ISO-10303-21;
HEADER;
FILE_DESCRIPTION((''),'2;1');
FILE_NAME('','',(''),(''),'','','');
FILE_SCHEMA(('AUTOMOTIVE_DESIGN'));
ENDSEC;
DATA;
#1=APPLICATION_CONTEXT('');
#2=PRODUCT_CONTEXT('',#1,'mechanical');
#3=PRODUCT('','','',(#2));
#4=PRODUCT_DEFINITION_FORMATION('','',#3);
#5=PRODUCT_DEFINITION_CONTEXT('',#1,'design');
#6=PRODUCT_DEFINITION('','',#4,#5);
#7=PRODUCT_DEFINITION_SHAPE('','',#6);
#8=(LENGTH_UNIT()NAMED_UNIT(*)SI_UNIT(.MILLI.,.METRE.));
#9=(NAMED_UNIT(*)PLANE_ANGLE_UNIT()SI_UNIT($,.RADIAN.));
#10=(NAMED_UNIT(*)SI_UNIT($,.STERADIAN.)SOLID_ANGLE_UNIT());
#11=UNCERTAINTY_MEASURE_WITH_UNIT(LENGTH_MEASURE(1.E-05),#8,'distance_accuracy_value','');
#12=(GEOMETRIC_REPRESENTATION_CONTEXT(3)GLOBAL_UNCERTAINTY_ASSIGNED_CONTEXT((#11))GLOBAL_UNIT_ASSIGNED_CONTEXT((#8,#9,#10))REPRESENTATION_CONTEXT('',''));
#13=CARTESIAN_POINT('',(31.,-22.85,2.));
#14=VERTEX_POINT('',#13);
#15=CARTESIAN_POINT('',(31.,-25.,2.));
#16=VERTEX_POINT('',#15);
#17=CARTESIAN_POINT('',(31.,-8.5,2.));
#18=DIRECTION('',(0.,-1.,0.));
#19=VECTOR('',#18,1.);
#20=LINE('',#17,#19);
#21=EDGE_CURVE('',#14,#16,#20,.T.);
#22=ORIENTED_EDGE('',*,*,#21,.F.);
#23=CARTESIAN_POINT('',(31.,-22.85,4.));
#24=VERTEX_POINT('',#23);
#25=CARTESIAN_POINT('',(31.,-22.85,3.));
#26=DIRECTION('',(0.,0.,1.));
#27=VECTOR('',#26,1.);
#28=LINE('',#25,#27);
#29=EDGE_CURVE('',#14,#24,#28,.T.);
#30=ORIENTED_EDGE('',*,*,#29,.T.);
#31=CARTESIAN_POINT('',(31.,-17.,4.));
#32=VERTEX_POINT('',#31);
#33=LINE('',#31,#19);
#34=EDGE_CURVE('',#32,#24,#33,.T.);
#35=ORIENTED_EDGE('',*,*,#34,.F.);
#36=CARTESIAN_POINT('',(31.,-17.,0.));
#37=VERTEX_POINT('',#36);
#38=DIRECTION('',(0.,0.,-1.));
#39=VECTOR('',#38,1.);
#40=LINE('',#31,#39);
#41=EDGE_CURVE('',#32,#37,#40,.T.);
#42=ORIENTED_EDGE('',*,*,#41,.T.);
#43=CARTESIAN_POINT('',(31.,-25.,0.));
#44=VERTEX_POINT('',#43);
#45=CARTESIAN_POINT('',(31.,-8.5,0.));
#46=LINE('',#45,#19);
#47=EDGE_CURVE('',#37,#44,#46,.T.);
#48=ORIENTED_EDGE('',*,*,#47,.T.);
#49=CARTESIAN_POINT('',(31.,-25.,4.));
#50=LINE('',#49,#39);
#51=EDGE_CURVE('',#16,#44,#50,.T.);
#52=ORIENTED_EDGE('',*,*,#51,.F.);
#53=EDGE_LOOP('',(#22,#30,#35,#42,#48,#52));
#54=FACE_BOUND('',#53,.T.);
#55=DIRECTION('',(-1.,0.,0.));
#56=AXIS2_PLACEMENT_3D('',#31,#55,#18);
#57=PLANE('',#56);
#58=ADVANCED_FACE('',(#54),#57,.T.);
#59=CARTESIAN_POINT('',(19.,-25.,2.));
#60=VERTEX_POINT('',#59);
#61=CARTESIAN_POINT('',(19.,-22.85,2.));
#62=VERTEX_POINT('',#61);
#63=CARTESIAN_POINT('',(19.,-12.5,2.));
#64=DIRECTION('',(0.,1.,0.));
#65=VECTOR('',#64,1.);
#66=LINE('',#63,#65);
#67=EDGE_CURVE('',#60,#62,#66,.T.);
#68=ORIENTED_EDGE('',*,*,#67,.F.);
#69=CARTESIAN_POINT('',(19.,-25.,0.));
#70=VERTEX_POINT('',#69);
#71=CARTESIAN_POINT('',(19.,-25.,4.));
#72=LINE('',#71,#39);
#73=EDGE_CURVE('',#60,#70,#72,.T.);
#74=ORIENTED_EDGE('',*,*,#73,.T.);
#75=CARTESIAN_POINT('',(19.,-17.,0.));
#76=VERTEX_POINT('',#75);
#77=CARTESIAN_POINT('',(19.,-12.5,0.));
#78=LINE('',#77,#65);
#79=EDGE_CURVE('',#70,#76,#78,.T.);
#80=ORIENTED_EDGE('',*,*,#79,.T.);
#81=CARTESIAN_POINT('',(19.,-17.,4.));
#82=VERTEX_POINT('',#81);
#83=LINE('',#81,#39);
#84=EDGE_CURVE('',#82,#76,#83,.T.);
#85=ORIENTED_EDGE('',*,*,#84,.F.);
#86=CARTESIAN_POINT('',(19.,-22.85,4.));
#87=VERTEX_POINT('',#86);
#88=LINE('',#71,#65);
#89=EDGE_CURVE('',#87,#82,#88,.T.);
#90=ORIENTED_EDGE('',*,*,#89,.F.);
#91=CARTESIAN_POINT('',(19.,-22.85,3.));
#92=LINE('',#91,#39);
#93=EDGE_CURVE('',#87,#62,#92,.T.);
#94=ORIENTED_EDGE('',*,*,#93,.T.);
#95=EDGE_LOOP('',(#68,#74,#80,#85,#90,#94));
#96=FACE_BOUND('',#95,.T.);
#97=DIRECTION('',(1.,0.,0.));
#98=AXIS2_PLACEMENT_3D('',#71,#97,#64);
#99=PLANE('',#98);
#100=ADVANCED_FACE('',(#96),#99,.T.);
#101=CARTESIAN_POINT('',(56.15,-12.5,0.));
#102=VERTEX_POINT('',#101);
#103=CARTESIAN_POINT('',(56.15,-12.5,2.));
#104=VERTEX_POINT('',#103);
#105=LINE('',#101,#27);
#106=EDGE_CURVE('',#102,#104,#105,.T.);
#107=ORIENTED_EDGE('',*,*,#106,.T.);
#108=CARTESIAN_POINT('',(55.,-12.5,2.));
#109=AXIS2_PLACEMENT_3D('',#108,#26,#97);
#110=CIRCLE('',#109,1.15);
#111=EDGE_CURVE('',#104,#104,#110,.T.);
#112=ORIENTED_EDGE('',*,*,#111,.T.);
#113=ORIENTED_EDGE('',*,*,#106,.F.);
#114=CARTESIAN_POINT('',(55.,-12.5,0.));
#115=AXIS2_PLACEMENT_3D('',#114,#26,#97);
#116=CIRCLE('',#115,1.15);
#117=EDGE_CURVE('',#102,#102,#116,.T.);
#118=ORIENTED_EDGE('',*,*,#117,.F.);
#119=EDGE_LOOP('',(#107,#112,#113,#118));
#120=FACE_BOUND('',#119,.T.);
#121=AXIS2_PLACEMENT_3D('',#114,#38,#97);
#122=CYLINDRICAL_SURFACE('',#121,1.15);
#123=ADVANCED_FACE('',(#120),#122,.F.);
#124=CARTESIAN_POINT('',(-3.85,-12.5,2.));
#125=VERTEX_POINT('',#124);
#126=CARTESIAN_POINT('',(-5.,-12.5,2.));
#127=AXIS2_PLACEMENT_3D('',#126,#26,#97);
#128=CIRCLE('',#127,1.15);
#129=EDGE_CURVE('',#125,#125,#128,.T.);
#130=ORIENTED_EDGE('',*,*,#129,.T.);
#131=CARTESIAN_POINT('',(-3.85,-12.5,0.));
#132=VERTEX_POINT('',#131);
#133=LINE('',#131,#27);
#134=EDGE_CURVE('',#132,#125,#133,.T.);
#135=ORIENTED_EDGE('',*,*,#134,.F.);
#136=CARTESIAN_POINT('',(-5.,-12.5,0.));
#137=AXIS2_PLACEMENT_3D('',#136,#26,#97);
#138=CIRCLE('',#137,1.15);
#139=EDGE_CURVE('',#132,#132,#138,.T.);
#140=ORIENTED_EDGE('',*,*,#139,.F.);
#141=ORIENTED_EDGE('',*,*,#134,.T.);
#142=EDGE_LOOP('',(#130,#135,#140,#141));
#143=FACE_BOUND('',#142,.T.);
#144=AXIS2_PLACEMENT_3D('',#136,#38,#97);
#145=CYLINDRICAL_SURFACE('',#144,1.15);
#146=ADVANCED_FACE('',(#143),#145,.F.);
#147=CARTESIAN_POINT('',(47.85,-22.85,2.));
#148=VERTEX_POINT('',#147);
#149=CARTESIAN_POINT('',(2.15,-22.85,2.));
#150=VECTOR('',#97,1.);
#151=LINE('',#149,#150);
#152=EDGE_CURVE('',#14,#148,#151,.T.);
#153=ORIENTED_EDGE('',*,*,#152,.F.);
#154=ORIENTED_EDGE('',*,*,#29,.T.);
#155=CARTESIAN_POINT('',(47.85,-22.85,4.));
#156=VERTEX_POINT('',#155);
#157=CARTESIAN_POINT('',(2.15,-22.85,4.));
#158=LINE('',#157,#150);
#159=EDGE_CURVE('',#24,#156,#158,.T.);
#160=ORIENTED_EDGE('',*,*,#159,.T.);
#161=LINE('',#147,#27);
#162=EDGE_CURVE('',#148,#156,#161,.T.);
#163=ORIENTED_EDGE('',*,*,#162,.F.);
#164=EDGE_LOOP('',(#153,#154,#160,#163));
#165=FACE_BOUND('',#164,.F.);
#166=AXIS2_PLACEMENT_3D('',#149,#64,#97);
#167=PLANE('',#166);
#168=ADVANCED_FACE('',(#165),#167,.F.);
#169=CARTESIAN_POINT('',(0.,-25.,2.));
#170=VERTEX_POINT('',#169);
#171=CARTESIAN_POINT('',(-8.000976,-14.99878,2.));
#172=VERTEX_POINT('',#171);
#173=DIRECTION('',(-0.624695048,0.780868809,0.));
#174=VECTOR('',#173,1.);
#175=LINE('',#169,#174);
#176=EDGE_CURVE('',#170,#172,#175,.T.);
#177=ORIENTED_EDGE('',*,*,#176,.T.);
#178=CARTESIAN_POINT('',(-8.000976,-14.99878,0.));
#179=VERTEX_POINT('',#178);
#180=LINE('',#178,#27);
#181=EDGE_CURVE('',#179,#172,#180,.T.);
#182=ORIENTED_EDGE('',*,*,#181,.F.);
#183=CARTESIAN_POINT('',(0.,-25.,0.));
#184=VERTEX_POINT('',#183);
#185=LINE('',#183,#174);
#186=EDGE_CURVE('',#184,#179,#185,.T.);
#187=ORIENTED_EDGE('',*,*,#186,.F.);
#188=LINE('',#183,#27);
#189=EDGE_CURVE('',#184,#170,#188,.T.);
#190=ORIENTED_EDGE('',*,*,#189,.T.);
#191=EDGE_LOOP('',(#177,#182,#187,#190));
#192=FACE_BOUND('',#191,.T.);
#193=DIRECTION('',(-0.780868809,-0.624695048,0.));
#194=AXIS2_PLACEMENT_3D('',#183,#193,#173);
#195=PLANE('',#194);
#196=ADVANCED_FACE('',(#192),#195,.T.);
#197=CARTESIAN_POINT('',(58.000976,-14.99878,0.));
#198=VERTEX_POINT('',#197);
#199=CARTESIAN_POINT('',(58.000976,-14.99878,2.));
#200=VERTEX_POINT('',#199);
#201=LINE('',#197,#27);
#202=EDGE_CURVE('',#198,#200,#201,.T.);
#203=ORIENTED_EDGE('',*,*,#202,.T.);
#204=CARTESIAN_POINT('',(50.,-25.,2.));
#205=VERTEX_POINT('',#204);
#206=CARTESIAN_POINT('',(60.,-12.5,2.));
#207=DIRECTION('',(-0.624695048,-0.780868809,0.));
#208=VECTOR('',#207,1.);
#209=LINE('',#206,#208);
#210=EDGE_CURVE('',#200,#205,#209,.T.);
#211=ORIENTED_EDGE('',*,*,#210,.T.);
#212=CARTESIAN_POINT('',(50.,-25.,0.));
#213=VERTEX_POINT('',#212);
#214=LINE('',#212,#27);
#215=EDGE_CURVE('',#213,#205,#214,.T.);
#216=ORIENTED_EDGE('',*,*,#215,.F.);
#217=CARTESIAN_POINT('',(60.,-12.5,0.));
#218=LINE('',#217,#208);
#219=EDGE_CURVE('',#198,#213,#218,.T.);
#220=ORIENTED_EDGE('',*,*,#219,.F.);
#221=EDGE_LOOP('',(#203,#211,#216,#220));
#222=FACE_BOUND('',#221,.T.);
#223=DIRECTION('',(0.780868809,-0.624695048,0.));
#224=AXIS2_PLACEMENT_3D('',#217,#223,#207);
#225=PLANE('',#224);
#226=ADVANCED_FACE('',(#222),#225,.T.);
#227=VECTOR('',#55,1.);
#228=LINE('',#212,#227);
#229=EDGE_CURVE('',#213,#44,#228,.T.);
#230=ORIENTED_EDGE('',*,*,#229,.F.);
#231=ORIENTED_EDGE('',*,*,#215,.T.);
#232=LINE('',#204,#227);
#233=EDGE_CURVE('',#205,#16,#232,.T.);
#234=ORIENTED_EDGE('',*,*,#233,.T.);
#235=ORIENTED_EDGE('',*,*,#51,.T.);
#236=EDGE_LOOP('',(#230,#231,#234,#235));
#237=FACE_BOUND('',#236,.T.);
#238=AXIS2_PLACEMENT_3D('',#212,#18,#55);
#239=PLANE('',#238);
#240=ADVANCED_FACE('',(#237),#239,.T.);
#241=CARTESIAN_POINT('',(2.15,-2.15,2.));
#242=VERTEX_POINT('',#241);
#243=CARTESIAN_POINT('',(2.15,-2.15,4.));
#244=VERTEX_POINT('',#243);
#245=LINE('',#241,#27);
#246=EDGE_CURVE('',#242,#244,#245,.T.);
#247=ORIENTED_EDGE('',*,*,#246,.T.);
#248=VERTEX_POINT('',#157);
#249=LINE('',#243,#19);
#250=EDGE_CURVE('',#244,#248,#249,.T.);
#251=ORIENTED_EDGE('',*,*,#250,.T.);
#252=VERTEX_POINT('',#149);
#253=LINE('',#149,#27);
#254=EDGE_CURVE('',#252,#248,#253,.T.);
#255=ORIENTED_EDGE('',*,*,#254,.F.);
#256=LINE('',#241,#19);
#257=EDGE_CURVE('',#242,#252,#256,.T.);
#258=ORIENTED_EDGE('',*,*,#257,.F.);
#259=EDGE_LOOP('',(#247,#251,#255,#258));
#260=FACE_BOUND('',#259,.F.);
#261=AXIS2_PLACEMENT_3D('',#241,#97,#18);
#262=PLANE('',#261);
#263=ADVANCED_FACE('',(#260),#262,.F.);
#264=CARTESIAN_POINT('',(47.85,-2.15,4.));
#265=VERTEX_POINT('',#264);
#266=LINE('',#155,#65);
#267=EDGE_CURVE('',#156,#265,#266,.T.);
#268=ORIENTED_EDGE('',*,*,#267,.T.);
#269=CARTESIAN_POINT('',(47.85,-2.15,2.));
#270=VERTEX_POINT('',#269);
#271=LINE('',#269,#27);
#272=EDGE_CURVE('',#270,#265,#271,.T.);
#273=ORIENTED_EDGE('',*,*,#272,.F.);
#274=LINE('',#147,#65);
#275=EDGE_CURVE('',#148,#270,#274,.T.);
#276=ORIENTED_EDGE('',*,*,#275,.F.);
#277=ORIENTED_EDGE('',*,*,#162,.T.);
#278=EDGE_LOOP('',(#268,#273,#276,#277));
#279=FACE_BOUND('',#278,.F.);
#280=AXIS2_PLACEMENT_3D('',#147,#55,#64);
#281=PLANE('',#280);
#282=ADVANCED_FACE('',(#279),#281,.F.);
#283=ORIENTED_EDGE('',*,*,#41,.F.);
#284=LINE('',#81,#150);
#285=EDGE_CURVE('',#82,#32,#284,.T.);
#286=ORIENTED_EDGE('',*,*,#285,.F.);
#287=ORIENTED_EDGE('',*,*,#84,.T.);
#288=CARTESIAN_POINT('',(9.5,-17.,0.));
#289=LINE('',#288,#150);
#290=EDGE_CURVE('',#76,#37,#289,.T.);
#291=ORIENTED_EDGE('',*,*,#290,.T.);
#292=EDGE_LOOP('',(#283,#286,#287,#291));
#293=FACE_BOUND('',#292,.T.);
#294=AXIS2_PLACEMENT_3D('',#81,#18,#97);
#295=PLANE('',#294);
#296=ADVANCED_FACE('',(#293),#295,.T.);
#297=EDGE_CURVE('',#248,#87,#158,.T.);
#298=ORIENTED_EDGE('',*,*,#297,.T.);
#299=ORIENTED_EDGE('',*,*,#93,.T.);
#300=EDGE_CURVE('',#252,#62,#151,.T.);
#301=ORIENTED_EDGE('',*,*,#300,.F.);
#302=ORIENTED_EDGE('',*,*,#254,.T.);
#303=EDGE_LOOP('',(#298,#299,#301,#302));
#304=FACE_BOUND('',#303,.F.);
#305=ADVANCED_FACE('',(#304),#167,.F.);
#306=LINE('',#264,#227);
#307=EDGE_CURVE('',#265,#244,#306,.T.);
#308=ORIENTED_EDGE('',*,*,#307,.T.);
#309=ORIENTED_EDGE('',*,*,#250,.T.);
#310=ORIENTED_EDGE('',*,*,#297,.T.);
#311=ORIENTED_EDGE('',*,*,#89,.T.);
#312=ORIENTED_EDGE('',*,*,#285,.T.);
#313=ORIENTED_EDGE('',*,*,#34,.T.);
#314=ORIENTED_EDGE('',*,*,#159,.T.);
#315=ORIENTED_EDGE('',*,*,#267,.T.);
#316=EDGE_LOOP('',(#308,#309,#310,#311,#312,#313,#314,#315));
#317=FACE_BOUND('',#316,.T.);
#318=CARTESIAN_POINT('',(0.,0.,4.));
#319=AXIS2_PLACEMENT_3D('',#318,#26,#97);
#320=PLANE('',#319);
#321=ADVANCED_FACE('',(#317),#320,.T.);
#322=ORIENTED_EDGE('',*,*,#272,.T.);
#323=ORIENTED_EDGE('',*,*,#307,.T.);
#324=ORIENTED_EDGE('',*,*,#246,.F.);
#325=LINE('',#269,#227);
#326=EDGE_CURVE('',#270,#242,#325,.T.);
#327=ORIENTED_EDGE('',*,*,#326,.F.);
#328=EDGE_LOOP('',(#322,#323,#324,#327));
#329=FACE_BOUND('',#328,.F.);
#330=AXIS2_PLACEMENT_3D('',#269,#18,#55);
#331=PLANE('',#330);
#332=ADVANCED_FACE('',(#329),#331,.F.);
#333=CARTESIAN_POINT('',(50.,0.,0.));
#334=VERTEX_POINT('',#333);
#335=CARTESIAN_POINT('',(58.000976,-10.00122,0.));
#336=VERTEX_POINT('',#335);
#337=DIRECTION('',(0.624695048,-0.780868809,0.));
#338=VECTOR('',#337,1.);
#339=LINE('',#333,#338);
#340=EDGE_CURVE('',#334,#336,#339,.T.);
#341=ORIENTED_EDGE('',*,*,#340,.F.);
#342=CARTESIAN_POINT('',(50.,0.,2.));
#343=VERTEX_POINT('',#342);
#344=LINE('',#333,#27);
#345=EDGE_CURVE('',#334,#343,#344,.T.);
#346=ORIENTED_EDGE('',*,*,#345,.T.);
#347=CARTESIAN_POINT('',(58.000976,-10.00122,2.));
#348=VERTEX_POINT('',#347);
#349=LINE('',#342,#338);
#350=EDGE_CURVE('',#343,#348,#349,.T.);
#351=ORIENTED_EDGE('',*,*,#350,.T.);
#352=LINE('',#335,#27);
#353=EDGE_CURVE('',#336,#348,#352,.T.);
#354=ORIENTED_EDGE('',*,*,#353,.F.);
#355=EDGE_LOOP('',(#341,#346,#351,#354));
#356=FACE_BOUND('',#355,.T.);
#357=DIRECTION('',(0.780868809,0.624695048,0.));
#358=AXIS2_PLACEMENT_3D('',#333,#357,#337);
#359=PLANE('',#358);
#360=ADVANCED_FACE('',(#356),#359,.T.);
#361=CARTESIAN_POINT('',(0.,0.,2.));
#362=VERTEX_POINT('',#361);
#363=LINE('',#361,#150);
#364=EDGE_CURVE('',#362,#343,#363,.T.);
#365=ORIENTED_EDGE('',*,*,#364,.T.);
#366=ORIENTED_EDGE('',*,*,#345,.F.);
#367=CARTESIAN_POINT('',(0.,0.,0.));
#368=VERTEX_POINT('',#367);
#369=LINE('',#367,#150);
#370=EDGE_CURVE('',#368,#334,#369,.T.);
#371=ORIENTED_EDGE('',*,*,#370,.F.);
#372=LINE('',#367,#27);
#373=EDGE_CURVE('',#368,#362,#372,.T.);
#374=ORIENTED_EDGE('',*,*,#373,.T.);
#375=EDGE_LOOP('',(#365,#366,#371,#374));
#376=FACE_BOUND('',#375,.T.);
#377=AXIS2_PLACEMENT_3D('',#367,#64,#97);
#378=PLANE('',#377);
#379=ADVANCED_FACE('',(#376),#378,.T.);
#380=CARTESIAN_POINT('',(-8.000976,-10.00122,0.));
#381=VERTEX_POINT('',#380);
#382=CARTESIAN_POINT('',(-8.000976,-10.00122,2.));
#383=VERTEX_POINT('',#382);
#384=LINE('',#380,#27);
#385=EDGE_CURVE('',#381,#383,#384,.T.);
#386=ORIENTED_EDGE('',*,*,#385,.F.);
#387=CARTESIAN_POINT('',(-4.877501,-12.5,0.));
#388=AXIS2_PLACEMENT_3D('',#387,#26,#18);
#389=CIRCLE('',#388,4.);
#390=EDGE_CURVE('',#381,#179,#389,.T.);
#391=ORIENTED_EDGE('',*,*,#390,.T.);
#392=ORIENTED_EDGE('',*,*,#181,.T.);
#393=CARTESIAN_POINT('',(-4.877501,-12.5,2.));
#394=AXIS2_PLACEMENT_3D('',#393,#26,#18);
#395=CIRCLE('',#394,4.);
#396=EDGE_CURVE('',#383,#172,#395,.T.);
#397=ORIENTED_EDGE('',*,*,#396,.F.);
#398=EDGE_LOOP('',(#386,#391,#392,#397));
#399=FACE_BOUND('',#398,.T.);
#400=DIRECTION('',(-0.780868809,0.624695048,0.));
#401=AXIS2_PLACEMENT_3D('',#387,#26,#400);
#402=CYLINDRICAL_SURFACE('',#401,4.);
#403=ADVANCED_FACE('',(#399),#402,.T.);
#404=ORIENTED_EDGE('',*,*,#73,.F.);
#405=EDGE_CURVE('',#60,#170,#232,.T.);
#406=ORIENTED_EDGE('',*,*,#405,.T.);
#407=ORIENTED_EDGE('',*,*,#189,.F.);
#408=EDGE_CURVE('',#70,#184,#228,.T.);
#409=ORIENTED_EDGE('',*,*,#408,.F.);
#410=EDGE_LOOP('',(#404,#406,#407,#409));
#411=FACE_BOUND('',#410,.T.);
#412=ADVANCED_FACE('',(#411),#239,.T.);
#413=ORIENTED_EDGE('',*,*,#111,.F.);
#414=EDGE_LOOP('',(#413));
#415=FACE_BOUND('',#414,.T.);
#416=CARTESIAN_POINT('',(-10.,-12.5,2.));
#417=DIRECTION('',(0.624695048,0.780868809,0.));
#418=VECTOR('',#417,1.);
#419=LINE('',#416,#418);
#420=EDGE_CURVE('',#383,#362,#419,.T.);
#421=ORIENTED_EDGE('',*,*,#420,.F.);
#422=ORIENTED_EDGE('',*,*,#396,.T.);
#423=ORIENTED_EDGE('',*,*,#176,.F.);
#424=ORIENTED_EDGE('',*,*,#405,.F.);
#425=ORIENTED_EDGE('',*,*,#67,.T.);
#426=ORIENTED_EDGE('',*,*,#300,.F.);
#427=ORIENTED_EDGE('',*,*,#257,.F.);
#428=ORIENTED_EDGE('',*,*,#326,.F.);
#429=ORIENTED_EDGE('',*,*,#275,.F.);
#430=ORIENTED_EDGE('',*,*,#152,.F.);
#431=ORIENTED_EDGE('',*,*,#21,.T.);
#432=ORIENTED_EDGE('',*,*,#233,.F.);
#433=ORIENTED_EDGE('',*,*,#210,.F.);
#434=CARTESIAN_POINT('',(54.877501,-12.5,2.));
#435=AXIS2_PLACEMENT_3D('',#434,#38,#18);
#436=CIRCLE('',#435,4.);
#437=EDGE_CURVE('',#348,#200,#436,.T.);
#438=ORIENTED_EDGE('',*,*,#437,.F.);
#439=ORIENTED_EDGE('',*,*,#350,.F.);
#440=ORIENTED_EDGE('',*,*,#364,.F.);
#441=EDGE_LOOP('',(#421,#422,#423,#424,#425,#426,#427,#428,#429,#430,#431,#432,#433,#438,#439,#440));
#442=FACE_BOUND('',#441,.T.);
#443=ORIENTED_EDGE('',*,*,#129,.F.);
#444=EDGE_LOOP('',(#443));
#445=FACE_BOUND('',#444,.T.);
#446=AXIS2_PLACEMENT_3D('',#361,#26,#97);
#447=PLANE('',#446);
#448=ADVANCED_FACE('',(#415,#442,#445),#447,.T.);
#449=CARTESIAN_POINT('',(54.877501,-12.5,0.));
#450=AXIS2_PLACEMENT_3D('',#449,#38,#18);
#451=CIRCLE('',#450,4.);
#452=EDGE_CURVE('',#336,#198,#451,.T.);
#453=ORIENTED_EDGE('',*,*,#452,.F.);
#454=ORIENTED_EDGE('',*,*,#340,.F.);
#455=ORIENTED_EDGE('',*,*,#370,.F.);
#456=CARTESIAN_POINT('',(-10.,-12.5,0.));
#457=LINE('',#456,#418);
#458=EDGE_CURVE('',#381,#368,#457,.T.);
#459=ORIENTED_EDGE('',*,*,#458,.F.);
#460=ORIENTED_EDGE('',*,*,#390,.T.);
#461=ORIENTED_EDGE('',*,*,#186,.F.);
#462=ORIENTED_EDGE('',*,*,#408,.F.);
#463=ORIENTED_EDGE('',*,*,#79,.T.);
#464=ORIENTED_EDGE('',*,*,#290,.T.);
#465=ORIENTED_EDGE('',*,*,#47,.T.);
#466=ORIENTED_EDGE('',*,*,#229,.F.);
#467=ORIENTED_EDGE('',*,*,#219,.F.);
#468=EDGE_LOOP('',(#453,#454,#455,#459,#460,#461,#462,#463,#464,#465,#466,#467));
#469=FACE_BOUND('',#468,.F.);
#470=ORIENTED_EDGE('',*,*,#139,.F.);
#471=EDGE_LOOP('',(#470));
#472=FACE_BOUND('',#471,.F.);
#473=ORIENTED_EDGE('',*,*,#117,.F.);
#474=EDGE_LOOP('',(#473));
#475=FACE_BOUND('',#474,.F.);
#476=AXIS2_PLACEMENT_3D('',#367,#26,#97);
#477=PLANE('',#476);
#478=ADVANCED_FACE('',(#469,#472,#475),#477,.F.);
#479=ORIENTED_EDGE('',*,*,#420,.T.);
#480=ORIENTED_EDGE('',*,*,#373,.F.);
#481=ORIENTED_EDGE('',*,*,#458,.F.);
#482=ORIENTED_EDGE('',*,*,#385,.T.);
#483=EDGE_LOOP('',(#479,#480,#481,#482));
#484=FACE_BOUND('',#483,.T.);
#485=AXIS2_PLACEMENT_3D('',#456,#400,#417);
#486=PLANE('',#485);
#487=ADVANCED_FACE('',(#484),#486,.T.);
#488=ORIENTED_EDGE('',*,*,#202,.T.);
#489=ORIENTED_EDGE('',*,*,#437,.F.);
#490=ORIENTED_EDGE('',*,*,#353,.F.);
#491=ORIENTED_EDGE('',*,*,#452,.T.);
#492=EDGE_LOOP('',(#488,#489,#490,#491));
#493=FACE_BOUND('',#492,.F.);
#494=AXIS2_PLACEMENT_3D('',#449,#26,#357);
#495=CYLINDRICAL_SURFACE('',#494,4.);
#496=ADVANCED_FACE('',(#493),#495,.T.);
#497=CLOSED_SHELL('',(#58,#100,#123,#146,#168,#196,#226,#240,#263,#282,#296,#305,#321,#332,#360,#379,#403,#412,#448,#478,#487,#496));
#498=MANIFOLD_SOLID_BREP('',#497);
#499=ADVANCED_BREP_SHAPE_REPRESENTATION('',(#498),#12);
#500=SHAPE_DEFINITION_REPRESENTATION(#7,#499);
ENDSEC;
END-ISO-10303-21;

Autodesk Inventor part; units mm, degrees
ref_plane "YZ Plane" through (0, 0, 0) normal (1, 0, 0) x (0, 1, 0)
ref_plane "XZ Plane" through (0, 0, 0) normal (0, 1, 0) x (-1, 0, 0)
ref_plane "XY Plane" through (0, 0, 0) normal (0, 0, 1) x (1, 0, 0)
sketch "Sketch1" plane through (0, 0, 0) normal (0, 0, 1) x (1, 0, 0)
  line L0 (0, 0) -> (50, 0)
  line L1 (50, 0) -> (50, -25)
  line L2 (50, -25) -> (0, -25)
  line L3 (0, -25) -> (0, 0)
  line L4 (50, 0) -> (60, -12.5)
  line L5 (60, -12.5) -> (50, -25)
  line L6 (0, -25) -> (-10, -12.5)
  line L7 (-10, -12.5) -> (0, 0)
  circle A0 centre (55, -12.5) radius 1.15
  circle A1 centre (-5, -12.5) radius 1.15
  dimension "d0" = 50
  dimension "d1" = 25
  dimension "d18" = 12.5
  dimension "d19" = 10
  dimension "d20" = 10
  dimension "d21" = 2.3
  dimension "d22" = 2.3
  dimension "d23" = 5
  dimension "d24" = 5
extrude "Extrusion1" add sketch "Sketch1" along normal blind 2
sketch "Sketch4" plane through (0, 0, 2) normal (0, 0, 1) x (1, 0, 0)
  line L0 (2.15, -22.85) -> (47.85, -22.85)
  line L1 (47.85, -22.85) -> (47.85, -2.15)
  line L2 (47.85, -2.15) -> (2.15, -2.15)
  line L3 (2.15, -2.15) -> (2.15, -22.85)
  point P0 (0, 0)
  point P1 (2.15, -12.5)
  point P2 (50, -25)
  dimension "d25" = 20.7
  dimension "d26" = 2.15
  dimension "d27" = 45.7
  dimension "d28" = 2.15
extrude "Extrusion4" add sketch "Sketch4" along normal blind 2
sketch "Sketch5" plane through (0, 0, 4) normal (0, 0, 1) x (1, 0, 0)
  line L0 (0, -25) -> (50, -25) projected
  line L1 (31, -25) -> (19, -25)
  line L2 (19, -25) -> (19, -17)
  line L3 (19, -17) -> (31, -17)
  line L4 (31, -17) -> (31, -25)
  point P0 (0, 0)
  dimension "d31" = 19
  dimension "d32" = 12
  dimension "d33" = 8
extrude "Extrusion5" cut sketch "Sketch5" against normal through all
fillet "Fillet1" radius 4 2 edges at (-10, -12.5, 1) (60, -12.5, 1)
properties part number "UltrasonicSensorMountTest_backplate"
